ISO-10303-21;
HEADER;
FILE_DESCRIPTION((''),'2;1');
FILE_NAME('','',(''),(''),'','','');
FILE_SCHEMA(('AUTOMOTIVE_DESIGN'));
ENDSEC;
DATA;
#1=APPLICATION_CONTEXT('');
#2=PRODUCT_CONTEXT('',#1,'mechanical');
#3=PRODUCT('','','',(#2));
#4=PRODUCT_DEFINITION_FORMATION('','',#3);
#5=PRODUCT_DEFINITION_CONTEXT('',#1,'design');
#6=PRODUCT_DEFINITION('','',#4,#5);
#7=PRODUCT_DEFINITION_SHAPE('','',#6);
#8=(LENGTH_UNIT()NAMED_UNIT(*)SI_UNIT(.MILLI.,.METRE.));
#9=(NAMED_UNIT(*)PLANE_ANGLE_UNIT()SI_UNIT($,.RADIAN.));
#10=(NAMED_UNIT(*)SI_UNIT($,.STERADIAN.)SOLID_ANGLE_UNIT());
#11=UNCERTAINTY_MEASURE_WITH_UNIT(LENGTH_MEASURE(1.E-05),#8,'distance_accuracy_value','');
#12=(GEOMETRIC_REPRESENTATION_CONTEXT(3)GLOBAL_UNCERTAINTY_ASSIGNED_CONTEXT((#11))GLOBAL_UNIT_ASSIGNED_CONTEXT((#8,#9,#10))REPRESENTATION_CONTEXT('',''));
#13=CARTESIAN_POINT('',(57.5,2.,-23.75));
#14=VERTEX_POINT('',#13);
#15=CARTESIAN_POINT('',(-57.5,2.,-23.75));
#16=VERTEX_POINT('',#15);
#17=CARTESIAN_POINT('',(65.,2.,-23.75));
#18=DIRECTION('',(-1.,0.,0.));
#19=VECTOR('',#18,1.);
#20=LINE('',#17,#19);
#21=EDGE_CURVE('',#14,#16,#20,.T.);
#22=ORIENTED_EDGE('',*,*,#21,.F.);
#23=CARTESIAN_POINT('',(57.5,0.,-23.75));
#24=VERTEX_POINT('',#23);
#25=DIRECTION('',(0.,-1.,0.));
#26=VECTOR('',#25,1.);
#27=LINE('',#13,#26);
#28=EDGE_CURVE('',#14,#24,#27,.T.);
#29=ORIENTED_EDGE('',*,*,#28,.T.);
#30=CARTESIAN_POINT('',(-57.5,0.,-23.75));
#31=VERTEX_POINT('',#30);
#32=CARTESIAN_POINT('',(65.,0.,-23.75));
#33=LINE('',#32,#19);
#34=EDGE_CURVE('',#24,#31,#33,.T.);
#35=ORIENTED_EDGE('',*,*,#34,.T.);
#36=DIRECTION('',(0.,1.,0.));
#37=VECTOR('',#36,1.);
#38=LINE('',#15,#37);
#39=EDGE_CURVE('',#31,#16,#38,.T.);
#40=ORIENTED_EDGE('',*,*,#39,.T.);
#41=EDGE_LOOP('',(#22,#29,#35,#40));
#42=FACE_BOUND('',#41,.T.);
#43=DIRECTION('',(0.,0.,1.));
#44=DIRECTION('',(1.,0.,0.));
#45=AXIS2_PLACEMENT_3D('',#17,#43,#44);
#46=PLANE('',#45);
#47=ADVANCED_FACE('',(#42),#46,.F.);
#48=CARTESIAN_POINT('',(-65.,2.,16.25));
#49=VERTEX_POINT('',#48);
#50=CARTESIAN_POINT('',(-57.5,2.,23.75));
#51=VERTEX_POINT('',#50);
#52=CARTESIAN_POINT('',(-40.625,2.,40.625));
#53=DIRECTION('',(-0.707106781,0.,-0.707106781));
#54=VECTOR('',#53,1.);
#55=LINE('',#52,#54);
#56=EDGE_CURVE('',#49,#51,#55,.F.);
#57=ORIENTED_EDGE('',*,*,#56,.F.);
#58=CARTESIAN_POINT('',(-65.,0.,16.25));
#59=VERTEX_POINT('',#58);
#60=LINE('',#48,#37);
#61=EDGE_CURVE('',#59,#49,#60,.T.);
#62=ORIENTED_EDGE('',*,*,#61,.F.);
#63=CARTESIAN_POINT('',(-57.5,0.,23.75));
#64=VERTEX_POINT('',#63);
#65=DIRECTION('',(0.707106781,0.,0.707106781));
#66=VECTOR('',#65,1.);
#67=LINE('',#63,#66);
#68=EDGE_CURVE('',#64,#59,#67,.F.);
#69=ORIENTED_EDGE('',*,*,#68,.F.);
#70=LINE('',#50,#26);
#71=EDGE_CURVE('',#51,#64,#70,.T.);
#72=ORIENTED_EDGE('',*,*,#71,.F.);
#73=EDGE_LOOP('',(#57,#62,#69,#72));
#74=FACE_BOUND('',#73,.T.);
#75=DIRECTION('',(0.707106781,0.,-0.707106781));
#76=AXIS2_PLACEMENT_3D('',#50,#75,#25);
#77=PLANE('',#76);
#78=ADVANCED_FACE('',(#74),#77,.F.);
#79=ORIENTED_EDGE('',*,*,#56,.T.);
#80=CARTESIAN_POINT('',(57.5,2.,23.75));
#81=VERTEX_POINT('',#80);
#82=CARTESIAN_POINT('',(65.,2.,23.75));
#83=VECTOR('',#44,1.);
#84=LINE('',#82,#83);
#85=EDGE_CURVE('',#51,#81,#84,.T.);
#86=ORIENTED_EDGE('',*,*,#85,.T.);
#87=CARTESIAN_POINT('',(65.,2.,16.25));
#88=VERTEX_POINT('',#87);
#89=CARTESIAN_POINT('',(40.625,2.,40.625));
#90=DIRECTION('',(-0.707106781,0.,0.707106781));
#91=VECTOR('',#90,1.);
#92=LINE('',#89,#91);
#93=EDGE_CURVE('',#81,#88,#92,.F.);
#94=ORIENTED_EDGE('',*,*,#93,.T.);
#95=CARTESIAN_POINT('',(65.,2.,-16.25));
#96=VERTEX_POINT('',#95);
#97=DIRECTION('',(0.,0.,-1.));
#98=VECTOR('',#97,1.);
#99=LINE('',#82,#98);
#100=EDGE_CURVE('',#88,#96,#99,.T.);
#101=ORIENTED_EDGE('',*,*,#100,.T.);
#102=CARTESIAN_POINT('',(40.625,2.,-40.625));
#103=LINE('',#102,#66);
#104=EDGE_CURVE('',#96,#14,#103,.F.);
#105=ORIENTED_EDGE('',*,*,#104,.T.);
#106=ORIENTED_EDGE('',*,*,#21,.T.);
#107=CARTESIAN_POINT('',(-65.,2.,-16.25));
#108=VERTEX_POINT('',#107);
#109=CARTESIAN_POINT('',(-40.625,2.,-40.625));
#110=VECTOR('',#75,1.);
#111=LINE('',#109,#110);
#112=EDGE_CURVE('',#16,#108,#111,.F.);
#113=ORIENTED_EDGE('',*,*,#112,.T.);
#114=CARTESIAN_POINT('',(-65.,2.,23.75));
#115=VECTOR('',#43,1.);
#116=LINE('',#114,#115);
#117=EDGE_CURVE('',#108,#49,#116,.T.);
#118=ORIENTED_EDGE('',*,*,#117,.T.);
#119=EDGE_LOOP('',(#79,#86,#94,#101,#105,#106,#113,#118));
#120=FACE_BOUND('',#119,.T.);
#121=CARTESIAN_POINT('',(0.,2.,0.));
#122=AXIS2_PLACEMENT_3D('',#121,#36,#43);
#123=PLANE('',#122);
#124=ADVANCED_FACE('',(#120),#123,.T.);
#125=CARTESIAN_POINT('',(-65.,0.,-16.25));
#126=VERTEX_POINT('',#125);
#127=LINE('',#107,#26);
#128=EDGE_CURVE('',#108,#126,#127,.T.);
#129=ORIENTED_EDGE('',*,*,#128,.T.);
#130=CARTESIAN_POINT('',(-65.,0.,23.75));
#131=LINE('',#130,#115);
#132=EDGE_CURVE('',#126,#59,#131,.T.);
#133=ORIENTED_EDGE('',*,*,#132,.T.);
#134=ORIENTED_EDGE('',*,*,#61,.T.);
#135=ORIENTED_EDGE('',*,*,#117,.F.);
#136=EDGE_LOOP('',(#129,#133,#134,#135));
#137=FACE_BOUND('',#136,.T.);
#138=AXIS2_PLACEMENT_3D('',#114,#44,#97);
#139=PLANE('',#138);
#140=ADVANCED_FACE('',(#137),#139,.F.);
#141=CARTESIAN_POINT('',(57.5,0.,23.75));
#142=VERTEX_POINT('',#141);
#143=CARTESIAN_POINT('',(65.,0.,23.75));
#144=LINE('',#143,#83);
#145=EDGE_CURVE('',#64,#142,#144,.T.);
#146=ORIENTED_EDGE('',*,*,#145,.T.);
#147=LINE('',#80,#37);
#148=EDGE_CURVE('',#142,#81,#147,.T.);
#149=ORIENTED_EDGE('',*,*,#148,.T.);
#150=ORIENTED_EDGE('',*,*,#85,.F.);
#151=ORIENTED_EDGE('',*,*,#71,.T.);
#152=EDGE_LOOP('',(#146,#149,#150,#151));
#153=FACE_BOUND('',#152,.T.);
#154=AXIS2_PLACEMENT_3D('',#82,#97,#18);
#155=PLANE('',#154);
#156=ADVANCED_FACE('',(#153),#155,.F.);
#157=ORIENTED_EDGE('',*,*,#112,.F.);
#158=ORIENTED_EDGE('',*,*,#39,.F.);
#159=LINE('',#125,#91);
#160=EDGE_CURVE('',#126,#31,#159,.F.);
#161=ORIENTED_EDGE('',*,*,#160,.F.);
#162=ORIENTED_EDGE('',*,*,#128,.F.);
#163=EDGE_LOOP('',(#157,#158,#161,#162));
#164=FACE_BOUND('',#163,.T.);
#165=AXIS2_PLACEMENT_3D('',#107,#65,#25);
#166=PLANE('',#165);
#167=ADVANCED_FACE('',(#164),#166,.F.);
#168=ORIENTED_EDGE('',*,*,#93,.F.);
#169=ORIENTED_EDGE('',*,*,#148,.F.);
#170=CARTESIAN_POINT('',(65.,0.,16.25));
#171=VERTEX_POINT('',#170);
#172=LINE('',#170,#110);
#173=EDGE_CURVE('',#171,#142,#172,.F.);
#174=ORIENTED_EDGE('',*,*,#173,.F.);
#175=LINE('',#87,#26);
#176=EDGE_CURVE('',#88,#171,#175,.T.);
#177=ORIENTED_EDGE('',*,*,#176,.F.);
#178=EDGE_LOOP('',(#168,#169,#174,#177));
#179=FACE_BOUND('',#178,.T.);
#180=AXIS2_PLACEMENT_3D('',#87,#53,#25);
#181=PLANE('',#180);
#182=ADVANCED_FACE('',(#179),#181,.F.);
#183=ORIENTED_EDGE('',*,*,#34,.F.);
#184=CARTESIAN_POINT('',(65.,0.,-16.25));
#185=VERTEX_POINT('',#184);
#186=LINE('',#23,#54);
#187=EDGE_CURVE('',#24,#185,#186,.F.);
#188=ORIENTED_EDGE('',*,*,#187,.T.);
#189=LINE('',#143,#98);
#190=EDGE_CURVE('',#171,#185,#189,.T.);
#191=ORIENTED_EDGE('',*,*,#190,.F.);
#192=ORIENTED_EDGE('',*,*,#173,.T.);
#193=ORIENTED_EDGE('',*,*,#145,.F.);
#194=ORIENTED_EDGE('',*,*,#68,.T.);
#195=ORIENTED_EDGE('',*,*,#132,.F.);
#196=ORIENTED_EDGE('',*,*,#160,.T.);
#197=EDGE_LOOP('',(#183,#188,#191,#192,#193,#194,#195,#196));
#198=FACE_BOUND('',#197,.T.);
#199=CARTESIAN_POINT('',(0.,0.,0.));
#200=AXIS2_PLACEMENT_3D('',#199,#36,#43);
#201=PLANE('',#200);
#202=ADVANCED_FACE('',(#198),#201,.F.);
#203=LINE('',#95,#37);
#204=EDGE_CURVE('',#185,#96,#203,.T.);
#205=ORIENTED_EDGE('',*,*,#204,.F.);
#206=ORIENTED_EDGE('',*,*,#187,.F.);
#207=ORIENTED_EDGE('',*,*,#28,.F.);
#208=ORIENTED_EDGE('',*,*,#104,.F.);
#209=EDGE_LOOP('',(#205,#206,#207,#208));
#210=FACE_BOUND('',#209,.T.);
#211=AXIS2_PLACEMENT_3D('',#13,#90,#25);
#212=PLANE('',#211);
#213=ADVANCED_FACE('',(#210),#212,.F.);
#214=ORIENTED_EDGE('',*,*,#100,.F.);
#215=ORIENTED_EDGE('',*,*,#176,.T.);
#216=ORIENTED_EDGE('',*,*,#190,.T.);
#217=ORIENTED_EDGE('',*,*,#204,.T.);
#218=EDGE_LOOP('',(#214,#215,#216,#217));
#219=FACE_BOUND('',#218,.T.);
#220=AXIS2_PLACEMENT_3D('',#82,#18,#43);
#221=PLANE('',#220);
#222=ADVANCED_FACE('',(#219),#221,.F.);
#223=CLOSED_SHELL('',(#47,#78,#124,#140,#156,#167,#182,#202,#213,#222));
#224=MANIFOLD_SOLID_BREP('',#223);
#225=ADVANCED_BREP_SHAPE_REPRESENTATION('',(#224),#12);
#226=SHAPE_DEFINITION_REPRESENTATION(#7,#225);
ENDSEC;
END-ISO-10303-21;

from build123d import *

# Parameters (mm, degrees)
SKETCH_1_W      = 130
SKETCH_1_H      = 47.5
EXTRUDE_1_DEPTH = 2
CHAMFER_1_SIZE  = 7.5


with BuildPart() as part:
    # 草图1 → 凸台-拉伸1 (new body)
    with BuildSketch(Plane(origin=(0, 0, 0), x_dir=(1, 0, 0), z_dir=(0, 1, 0))):
        Rectangle(SKETCH_1_W, SKETCH_1_H)
    extrude(amount=EXTRUDE_1_DEPTH)

    # 倒角1
    chamfer_1_edges = [part.edges().sort_by_distance(p)[0] for p in [
        (-65, 1, -23.75),
        (65, 1, -23.75),
        (65, 1, 23.75),
        (-65, 1, 23.75),
    ]]
    chamfer(chamfer_1_edges, length=CHAMFER_1_SIZE)


solid = part.part
